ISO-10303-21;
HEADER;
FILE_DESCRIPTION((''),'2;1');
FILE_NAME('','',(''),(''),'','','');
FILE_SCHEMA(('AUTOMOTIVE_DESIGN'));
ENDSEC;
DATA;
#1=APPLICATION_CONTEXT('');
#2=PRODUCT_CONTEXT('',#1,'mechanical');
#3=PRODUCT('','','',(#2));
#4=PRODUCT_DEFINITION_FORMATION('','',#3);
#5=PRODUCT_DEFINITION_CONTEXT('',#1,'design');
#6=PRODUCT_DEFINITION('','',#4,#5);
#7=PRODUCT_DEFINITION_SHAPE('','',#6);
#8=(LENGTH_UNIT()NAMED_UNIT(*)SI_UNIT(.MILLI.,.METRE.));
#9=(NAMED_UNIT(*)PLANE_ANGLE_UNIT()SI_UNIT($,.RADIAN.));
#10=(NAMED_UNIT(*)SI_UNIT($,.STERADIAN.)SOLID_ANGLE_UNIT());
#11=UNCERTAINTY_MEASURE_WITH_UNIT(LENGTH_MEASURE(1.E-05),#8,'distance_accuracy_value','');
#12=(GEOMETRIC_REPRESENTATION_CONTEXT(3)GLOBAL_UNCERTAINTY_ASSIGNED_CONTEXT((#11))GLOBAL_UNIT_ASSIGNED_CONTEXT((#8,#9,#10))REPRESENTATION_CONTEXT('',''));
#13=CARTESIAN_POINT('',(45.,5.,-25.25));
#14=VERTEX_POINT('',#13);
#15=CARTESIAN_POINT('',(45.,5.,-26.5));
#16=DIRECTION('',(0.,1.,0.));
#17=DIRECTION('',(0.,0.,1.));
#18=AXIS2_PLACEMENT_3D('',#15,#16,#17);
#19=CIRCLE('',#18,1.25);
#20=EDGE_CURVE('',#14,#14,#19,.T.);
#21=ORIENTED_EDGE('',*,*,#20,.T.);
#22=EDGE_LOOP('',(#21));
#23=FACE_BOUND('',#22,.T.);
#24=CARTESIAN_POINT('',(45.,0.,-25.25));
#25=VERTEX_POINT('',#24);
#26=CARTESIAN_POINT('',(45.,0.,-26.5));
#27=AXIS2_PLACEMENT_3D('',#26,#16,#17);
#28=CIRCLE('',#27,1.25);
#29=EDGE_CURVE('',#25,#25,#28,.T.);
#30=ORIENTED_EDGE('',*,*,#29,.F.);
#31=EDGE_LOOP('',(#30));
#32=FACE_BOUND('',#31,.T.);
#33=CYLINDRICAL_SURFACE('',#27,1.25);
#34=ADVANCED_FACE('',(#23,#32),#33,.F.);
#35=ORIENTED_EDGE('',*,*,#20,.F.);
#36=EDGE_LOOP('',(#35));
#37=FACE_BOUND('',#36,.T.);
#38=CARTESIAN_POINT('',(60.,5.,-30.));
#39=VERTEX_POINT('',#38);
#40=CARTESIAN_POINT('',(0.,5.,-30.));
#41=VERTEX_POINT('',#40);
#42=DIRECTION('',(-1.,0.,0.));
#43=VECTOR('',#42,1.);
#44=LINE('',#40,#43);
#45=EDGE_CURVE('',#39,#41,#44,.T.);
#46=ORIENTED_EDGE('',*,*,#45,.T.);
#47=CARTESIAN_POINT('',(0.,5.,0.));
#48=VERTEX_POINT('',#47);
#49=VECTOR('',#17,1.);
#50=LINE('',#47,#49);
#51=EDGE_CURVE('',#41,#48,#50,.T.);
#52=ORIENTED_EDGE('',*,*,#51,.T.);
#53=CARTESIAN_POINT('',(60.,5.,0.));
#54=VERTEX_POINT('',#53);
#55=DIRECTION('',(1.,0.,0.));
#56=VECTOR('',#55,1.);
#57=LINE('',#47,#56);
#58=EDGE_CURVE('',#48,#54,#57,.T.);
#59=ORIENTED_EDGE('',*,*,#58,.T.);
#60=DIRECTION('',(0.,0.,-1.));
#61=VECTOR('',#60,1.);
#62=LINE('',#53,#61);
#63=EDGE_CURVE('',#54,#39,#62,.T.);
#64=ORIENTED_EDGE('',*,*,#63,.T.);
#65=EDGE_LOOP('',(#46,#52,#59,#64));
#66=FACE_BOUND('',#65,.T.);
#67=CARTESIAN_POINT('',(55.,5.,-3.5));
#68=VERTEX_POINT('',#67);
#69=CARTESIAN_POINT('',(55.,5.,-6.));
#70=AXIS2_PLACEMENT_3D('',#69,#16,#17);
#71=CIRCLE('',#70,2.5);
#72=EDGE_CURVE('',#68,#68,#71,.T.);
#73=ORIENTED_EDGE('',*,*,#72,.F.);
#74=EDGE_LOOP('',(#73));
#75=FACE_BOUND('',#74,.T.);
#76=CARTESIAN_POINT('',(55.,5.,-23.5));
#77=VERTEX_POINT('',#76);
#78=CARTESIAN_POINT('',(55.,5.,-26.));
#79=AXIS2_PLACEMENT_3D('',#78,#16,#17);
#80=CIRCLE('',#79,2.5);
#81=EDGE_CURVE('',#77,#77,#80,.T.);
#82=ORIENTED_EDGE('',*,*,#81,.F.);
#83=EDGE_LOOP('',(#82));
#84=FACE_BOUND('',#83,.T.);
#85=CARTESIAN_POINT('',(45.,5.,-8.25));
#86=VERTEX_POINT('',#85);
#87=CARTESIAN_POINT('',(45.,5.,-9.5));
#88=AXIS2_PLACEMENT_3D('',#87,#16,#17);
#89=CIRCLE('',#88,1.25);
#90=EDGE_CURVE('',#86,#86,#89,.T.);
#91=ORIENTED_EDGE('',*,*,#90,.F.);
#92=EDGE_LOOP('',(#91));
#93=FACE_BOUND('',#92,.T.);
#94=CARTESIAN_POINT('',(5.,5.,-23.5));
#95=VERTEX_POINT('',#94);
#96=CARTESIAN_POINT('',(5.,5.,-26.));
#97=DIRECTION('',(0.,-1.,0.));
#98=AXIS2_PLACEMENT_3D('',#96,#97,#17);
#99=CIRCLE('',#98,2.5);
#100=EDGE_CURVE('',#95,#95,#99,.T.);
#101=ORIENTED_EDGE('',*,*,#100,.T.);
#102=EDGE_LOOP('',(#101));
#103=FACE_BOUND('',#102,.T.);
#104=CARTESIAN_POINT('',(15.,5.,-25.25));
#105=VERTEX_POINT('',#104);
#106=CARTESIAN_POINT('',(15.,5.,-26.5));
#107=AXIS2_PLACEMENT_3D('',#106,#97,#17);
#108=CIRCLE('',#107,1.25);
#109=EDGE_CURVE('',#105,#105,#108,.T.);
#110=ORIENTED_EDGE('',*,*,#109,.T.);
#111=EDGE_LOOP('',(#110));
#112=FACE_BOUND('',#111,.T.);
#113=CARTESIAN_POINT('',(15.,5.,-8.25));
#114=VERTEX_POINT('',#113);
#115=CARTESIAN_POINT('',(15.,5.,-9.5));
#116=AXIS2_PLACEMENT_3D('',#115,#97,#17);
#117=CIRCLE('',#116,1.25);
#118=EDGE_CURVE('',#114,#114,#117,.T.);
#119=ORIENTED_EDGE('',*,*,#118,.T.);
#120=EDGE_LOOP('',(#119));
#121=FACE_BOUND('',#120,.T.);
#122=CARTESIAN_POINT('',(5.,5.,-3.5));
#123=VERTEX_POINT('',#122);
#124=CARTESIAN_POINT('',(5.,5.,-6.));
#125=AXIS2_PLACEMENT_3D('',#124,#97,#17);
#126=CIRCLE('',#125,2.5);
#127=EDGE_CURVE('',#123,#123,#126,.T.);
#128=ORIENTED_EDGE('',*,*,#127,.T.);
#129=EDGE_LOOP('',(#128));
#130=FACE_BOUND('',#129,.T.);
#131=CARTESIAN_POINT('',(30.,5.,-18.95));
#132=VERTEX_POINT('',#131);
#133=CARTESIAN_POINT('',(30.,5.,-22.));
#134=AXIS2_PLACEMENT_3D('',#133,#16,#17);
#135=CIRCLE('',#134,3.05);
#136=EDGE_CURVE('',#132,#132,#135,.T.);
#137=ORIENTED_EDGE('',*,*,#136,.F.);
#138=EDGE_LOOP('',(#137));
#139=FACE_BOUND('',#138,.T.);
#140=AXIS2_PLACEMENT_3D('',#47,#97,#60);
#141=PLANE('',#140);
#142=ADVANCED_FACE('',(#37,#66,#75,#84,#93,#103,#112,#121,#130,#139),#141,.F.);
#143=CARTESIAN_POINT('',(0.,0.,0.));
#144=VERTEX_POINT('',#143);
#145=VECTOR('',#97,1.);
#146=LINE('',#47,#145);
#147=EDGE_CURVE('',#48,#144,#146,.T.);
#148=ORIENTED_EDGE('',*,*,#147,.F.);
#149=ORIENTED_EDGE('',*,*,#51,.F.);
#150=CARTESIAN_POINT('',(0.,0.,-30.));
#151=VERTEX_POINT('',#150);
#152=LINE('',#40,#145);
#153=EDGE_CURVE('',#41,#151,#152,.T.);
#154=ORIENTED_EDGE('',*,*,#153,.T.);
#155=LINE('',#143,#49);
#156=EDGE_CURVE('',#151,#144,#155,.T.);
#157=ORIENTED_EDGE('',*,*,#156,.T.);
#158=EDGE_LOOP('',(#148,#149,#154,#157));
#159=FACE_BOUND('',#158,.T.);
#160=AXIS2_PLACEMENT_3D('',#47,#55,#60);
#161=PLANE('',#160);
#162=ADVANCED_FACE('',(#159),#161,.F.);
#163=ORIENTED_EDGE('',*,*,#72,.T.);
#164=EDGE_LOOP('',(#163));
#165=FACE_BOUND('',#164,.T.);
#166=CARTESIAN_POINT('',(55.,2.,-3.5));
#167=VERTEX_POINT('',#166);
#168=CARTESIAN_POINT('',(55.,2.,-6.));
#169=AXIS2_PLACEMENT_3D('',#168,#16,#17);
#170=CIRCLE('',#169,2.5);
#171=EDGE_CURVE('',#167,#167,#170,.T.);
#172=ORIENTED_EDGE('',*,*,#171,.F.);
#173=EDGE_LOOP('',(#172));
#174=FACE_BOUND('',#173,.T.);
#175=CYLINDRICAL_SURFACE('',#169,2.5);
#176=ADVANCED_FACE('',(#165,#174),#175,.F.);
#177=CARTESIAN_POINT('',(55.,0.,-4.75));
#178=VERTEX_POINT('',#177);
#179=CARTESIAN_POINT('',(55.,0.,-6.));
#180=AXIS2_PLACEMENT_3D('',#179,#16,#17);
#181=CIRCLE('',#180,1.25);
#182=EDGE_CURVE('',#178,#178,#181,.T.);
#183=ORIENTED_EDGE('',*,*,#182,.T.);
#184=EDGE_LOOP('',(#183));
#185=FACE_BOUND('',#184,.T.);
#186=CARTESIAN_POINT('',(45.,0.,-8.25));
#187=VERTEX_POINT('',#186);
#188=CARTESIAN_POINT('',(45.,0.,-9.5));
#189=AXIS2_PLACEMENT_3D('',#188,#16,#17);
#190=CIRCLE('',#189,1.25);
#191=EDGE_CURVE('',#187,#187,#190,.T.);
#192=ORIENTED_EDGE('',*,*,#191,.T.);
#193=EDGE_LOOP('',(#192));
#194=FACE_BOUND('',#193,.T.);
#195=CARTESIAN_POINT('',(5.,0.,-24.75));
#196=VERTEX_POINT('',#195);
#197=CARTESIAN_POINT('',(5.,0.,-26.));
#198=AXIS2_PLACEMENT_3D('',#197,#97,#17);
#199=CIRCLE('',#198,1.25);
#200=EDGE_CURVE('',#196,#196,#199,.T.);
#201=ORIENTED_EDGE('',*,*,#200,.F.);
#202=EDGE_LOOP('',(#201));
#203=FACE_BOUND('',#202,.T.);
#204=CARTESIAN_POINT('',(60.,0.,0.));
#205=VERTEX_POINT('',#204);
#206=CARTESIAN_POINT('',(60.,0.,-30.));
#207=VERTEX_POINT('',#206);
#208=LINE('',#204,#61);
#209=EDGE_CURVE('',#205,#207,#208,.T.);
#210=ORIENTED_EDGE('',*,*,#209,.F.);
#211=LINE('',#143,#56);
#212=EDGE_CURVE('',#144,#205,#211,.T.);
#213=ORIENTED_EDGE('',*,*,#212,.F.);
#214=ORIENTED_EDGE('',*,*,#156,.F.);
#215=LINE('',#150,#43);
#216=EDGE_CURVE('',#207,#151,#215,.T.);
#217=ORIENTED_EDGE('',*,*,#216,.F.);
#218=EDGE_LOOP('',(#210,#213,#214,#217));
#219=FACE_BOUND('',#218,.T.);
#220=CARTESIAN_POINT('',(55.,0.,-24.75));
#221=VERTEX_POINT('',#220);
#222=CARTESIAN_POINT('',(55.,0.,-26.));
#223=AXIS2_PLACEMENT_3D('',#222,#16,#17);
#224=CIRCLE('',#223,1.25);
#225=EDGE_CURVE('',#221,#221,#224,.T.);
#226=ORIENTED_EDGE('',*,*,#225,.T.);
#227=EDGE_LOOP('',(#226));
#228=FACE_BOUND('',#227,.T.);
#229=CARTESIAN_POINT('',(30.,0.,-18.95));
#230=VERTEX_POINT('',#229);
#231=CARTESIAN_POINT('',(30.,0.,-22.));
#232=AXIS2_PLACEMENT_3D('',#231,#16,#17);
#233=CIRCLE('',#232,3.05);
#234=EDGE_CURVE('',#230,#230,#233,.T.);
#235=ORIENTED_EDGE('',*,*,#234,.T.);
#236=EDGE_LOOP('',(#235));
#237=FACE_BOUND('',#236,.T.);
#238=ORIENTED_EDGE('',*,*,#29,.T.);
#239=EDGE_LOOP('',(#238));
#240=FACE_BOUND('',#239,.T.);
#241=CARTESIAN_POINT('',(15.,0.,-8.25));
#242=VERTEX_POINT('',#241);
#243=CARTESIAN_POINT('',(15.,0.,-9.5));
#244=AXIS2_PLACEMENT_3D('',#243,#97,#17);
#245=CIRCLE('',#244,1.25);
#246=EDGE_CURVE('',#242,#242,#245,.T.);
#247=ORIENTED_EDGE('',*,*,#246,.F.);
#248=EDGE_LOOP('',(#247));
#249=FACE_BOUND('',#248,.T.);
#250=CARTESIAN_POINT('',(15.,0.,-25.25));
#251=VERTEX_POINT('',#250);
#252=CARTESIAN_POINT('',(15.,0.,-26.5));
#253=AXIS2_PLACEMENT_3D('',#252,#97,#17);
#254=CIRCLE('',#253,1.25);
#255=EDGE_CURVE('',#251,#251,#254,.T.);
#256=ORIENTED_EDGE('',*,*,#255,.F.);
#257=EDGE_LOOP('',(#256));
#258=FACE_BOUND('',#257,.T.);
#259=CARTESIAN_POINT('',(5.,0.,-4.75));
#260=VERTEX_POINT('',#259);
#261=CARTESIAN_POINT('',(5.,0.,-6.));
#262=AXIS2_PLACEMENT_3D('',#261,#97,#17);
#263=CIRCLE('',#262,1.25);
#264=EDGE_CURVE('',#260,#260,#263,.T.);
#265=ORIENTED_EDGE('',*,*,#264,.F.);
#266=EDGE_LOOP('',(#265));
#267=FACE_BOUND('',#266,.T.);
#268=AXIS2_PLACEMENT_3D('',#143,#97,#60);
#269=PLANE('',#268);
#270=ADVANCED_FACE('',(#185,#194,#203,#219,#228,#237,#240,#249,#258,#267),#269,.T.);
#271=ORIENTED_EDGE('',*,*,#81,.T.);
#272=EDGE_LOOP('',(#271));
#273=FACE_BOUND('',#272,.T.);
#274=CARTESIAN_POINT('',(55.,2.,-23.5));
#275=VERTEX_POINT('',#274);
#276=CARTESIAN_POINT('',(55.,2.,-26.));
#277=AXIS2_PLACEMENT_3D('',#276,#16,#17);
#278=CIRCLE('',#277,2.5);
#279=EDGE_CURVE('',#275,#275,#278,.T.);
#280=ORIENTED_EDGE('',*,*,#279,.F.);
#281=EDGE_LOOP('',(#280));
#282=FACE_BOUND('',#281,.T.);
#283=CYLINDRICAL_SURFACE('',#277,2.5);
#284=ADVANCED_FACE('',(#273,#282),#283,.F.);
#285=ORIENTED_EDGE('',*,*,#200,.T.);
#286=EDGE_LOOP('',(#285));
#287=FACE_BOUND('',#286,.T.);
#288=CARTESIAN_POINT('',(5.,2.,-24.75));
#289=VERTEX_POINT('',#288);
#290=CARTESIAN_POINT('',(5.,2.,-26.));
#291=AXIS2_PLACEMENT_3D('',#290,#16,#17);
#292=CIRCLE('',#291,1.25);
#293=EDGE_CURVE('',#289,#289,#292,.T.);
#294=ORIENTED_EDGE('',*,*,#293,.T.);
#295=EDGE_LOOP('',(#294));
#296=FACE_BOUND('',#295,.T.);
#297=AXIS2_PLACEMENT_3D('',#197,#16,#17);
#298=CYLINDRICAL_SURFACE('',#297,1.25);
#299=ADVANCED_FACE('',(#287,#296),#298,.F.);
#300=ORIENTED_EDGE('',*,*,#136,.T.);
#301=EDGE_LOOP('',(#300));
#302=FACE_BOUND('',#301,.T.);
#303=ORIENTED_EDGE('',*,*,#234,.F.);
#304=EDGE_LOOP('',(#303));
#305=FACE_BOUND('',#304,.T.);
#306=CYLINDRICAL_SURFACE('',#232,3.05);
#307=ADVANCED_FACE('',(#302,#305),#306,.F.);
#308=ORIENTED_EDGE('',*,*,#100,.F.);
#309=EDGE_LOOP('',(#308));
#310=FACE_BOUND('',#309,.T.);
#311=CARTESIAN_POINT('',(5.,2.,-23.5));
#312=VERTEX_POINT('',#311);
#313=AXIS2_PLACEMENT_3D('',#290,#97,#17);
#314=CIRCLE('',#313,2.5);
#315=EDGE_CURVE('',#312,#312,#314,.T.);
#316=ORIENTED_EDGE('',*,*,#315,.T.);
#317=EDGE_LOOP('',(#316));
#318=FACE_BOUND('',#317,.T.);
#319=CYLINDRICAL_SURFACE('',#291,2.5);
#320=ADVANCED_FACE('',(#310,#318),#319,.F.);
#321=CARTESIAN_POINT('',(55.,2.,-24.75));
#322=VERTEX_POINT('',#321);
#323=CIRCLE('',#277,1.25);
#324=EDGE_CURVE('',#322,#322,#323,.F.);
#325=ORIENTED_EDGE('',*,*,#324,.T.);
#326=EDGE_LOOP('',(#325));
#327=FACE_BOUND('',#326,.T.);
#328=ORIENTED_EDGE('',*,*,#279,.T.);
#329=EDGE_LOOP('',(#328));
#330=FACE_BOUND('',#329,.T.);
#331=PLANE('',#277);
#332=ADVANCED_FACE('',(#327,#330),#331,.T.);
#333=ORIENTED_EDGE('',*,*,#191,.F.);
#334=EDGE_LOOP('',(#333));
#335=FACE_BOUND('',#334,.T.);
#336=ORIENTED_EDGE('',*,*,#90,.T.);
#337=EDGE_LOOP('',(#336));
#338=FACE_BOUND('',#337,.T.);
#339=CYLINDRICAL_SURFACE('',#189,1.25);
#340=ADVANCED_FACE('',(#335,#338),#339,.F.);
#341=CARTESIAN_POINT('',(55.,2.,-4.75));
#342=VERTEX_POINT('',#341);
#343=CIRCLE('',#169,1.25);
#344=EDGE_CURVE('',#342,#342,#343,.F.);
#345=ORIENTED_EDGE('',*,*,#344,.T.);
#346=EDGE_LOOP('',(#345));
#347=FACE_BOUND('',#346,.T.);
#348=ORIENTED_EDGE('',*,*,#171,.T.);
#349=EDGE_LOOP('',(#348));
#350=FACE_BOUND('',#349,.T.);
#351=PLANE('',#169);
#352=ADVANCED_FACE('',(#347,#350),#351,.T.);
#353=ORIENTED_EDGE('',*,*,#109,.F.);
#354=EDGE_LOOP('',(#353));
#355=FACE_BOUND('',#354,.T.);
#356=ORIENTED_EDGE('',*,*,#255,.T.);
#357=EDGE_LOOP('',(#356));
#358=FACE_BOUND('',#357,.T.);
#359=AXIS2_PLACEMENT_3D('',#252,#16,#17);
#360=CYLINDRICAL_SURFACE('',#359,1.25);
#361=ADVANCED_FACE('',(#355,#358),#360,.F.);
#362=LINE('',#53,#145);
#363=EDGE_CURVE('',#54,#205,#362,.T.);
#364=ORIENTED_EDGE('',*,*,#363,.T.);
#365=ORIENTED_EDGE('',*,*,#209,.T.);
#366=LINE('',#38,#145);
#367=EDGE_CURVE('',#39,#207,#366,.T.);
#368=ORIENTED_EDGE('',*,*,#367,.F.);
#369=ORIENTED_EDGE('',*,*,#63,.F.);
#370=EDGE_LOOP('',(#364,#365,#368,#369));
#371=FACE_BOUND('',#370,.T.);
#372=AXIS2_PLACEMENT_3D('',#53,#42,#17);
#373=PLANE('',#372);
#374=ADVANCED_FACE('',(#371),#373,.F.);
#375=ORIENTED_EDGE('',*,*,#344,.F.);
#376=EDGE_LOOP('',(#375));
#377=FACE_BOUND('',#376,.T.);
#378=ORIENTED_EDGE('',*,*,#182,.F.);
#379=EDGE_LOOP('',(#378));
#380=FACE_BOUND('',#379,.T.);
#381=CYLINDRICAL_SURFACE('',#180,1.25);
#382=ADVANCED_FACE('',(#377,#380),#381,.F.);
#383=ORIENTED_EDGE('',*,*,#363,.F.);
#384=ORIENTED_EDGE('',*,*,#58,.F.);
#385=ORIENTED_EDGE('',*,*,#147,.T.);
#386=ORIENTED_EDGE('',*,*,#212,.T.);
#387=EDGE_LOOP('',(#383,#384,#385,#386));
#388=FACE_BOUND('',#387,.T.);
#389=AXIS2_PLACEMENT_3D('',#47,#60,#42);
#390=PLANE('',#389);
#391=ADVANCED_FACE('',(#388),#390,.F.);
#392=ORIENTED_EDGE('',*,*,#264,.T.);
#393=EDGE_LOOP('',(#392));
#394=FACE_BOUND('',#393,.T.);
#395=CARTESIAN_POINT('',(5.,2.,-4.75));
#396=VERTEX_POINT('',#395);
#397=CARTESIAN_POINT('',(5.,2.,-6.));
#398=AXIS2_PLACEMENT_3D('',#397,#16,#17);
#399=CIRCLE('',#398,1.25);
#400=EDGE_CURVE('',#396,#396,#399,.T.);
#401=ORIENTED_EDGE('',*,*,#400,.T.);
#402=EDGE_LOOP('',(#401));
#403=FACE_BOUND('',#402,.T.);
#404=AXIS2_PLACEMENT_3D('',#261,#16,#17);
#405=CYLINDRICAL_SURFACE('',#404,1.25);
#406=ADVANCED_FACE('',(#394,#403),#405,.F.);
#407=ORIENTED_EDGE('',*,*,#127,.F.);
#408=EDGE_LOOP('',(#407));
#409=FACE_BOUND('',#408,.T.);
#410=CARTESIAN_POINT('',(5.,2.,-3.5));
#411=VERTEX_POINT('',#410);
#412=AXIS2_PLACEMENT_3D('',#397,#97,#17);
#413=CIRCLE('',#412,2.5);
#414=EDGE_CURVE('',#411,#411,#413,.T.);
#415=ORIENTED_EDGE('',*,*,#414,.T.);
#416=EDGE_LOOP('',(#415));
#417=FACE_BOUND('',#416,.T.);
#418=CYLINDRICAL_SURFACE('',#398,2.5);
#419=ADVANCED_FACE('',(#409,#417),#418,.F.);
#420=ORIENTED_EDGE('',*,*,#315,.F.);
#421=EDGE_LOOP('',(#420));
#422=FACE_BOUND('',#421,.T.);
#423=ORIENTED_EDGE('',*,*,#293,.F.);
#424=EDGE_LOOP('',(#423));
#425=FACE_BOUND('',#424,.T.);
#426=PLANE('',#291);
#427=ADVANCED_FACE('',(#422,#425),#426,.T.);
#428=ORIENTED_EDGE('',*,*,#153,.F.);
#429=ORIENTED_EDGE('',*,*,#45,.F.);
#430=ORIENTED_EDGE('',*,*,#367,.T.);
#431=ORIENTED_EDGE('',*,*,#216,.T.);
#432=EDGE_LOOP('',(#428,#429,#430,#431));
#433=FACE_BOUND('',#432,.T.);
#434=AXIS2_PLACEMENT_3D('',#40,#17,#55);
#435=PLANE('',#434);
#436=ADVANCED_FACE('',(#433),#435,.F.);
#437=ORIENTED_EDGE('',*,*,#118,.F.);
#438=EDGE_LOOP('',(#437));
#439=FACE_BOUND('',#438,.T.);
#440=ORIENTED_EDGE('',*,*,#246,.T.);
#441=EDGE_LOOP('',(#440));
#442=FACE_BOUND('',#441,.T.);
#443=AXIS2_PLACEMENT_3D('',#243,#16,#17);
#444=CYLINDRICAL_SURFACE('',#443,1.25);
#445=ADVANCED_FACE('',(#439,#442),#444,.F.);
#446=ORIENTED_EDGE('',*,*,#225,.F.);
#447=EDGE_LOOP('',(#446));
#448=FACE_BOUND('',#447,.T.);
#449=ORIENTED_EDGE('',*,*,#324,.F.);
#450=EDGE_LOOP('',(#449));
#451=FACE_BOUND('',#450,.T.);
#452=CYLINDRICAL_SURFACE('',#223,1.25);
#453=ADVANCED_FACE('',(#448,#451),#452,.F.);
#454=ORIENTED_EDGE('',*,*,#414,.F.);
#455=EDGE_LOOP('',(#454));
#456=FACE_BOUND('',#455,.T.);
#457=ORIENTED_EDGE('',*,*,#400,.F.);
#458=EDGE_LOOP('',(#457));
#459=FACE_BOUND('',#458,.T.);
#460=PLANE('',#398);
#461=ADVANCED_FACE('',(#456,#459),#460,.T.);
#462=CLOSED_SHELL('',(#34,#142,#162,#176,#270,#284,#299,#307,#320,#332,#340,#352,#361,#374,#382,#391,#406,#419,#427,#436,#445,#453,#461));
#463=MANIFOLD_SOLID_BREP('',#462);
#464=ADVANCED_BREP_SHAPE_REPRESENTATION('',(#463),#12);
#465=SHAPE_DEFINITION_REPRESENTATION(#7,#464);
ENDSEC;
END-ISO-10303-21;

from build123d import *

# Parameters (mm, degrees)
SKETCH1_W           = 60
SKETCH1_H           = 30
BOSS_EXTRUDE1_DEPTH = 5
SKETCH2_R           = 3.05
SKETCH2_R_2         = 1.25
CUT_EXTRUDE1_DEPTH  = 5
SKETCH3_R           = 1.25
CUT_EXTRUDE2_DEPTH  = 5
SKETCH4_R           = 2.5
CUT_EXTRUDE3_DEPTH  = 3


with BuildPart() as part:
    # Sketch1 → Boss-Extrude1 (new body)
    with BuildSketch(Plane(origin=(0, 0, 0), x_dir=(1, 0, 0), z_dir=(0, 1, 0))):
        with Locations((30, 15)):
            Rectangle(SKETCH1_W, SKETCH1_H)
    extrude(amount=BOSS_EXTRUDE1_DEPTH)

    # Sketch2 → Cut-Extrude1 (cut)
    with BuildSketch(Plane(origin=(0, 5, 0), x_dir=(1, 0, 0), z_dir=(0, 1, 0))):
        with Locations((30, 22)):
            Circle(SKETCH2_R)
        with Locations((45, 26.5)):
            Circle(SKETCH2_R_2)
        with Locations((45, 9.5)):
            Circle(SKETCH2_R_2)
    cut_extrude1 = extrude(amount=-CUT_EXTRUDE1_DEPTH, mode=Mode.SUBTRACT)

    # Mirror1: Cut-Extrude1 across plane
    add(cut_extrude1.mirror(Plane.ZY.offset(-30)), mode=Mode.SUBTRACT)

    # Sketch3 → Cut-Extrude2 (cut)
    with BuildSketch(Plane(origin=(0, 5, 0), x_dir=(1, 0, 0), z_dir=(0, 1, 0))):
        with Locations((55, 26)):
            Circle(SKETCH3_R)
        with Locations((55, 6)):
            Circle(SKETCH3_R)
    cut_extrude2 = extrude(amount=-CUT_EXTRUDE2_DEPTH, mode=Mode.SUBTRACT)

    # Mirror2: Cut-Extrude2 across plane
    add(cut_extrude2.mirror(Plane.ZY.offset(-30)), mode=Mode.SUBTRACT)

    # Sketch4 → Cut-Extrude3 (cut)
    with BuildSketch(Plane(origin=(0, 5, 0), x_dir=(1, 0, 0), z_dir=(0, 1, 0))):
        with Locations((55, 26)):
            Circle(SKETCH4_R)
        with Locations((55, 6)):
            Circle(SKETCH4_R)
    cut_extrude3 = extrude(amount=-CUT_EXTRUDE3_DEPTH, mode=Mode.SUBTRACT)

    # Mirror3: Cut-Extrude3 across plane
    add(cut_extrude3.mirror(Plane.ZY.offset(-30)), mode=Mode.SUBTRACT)


solid = part.part
